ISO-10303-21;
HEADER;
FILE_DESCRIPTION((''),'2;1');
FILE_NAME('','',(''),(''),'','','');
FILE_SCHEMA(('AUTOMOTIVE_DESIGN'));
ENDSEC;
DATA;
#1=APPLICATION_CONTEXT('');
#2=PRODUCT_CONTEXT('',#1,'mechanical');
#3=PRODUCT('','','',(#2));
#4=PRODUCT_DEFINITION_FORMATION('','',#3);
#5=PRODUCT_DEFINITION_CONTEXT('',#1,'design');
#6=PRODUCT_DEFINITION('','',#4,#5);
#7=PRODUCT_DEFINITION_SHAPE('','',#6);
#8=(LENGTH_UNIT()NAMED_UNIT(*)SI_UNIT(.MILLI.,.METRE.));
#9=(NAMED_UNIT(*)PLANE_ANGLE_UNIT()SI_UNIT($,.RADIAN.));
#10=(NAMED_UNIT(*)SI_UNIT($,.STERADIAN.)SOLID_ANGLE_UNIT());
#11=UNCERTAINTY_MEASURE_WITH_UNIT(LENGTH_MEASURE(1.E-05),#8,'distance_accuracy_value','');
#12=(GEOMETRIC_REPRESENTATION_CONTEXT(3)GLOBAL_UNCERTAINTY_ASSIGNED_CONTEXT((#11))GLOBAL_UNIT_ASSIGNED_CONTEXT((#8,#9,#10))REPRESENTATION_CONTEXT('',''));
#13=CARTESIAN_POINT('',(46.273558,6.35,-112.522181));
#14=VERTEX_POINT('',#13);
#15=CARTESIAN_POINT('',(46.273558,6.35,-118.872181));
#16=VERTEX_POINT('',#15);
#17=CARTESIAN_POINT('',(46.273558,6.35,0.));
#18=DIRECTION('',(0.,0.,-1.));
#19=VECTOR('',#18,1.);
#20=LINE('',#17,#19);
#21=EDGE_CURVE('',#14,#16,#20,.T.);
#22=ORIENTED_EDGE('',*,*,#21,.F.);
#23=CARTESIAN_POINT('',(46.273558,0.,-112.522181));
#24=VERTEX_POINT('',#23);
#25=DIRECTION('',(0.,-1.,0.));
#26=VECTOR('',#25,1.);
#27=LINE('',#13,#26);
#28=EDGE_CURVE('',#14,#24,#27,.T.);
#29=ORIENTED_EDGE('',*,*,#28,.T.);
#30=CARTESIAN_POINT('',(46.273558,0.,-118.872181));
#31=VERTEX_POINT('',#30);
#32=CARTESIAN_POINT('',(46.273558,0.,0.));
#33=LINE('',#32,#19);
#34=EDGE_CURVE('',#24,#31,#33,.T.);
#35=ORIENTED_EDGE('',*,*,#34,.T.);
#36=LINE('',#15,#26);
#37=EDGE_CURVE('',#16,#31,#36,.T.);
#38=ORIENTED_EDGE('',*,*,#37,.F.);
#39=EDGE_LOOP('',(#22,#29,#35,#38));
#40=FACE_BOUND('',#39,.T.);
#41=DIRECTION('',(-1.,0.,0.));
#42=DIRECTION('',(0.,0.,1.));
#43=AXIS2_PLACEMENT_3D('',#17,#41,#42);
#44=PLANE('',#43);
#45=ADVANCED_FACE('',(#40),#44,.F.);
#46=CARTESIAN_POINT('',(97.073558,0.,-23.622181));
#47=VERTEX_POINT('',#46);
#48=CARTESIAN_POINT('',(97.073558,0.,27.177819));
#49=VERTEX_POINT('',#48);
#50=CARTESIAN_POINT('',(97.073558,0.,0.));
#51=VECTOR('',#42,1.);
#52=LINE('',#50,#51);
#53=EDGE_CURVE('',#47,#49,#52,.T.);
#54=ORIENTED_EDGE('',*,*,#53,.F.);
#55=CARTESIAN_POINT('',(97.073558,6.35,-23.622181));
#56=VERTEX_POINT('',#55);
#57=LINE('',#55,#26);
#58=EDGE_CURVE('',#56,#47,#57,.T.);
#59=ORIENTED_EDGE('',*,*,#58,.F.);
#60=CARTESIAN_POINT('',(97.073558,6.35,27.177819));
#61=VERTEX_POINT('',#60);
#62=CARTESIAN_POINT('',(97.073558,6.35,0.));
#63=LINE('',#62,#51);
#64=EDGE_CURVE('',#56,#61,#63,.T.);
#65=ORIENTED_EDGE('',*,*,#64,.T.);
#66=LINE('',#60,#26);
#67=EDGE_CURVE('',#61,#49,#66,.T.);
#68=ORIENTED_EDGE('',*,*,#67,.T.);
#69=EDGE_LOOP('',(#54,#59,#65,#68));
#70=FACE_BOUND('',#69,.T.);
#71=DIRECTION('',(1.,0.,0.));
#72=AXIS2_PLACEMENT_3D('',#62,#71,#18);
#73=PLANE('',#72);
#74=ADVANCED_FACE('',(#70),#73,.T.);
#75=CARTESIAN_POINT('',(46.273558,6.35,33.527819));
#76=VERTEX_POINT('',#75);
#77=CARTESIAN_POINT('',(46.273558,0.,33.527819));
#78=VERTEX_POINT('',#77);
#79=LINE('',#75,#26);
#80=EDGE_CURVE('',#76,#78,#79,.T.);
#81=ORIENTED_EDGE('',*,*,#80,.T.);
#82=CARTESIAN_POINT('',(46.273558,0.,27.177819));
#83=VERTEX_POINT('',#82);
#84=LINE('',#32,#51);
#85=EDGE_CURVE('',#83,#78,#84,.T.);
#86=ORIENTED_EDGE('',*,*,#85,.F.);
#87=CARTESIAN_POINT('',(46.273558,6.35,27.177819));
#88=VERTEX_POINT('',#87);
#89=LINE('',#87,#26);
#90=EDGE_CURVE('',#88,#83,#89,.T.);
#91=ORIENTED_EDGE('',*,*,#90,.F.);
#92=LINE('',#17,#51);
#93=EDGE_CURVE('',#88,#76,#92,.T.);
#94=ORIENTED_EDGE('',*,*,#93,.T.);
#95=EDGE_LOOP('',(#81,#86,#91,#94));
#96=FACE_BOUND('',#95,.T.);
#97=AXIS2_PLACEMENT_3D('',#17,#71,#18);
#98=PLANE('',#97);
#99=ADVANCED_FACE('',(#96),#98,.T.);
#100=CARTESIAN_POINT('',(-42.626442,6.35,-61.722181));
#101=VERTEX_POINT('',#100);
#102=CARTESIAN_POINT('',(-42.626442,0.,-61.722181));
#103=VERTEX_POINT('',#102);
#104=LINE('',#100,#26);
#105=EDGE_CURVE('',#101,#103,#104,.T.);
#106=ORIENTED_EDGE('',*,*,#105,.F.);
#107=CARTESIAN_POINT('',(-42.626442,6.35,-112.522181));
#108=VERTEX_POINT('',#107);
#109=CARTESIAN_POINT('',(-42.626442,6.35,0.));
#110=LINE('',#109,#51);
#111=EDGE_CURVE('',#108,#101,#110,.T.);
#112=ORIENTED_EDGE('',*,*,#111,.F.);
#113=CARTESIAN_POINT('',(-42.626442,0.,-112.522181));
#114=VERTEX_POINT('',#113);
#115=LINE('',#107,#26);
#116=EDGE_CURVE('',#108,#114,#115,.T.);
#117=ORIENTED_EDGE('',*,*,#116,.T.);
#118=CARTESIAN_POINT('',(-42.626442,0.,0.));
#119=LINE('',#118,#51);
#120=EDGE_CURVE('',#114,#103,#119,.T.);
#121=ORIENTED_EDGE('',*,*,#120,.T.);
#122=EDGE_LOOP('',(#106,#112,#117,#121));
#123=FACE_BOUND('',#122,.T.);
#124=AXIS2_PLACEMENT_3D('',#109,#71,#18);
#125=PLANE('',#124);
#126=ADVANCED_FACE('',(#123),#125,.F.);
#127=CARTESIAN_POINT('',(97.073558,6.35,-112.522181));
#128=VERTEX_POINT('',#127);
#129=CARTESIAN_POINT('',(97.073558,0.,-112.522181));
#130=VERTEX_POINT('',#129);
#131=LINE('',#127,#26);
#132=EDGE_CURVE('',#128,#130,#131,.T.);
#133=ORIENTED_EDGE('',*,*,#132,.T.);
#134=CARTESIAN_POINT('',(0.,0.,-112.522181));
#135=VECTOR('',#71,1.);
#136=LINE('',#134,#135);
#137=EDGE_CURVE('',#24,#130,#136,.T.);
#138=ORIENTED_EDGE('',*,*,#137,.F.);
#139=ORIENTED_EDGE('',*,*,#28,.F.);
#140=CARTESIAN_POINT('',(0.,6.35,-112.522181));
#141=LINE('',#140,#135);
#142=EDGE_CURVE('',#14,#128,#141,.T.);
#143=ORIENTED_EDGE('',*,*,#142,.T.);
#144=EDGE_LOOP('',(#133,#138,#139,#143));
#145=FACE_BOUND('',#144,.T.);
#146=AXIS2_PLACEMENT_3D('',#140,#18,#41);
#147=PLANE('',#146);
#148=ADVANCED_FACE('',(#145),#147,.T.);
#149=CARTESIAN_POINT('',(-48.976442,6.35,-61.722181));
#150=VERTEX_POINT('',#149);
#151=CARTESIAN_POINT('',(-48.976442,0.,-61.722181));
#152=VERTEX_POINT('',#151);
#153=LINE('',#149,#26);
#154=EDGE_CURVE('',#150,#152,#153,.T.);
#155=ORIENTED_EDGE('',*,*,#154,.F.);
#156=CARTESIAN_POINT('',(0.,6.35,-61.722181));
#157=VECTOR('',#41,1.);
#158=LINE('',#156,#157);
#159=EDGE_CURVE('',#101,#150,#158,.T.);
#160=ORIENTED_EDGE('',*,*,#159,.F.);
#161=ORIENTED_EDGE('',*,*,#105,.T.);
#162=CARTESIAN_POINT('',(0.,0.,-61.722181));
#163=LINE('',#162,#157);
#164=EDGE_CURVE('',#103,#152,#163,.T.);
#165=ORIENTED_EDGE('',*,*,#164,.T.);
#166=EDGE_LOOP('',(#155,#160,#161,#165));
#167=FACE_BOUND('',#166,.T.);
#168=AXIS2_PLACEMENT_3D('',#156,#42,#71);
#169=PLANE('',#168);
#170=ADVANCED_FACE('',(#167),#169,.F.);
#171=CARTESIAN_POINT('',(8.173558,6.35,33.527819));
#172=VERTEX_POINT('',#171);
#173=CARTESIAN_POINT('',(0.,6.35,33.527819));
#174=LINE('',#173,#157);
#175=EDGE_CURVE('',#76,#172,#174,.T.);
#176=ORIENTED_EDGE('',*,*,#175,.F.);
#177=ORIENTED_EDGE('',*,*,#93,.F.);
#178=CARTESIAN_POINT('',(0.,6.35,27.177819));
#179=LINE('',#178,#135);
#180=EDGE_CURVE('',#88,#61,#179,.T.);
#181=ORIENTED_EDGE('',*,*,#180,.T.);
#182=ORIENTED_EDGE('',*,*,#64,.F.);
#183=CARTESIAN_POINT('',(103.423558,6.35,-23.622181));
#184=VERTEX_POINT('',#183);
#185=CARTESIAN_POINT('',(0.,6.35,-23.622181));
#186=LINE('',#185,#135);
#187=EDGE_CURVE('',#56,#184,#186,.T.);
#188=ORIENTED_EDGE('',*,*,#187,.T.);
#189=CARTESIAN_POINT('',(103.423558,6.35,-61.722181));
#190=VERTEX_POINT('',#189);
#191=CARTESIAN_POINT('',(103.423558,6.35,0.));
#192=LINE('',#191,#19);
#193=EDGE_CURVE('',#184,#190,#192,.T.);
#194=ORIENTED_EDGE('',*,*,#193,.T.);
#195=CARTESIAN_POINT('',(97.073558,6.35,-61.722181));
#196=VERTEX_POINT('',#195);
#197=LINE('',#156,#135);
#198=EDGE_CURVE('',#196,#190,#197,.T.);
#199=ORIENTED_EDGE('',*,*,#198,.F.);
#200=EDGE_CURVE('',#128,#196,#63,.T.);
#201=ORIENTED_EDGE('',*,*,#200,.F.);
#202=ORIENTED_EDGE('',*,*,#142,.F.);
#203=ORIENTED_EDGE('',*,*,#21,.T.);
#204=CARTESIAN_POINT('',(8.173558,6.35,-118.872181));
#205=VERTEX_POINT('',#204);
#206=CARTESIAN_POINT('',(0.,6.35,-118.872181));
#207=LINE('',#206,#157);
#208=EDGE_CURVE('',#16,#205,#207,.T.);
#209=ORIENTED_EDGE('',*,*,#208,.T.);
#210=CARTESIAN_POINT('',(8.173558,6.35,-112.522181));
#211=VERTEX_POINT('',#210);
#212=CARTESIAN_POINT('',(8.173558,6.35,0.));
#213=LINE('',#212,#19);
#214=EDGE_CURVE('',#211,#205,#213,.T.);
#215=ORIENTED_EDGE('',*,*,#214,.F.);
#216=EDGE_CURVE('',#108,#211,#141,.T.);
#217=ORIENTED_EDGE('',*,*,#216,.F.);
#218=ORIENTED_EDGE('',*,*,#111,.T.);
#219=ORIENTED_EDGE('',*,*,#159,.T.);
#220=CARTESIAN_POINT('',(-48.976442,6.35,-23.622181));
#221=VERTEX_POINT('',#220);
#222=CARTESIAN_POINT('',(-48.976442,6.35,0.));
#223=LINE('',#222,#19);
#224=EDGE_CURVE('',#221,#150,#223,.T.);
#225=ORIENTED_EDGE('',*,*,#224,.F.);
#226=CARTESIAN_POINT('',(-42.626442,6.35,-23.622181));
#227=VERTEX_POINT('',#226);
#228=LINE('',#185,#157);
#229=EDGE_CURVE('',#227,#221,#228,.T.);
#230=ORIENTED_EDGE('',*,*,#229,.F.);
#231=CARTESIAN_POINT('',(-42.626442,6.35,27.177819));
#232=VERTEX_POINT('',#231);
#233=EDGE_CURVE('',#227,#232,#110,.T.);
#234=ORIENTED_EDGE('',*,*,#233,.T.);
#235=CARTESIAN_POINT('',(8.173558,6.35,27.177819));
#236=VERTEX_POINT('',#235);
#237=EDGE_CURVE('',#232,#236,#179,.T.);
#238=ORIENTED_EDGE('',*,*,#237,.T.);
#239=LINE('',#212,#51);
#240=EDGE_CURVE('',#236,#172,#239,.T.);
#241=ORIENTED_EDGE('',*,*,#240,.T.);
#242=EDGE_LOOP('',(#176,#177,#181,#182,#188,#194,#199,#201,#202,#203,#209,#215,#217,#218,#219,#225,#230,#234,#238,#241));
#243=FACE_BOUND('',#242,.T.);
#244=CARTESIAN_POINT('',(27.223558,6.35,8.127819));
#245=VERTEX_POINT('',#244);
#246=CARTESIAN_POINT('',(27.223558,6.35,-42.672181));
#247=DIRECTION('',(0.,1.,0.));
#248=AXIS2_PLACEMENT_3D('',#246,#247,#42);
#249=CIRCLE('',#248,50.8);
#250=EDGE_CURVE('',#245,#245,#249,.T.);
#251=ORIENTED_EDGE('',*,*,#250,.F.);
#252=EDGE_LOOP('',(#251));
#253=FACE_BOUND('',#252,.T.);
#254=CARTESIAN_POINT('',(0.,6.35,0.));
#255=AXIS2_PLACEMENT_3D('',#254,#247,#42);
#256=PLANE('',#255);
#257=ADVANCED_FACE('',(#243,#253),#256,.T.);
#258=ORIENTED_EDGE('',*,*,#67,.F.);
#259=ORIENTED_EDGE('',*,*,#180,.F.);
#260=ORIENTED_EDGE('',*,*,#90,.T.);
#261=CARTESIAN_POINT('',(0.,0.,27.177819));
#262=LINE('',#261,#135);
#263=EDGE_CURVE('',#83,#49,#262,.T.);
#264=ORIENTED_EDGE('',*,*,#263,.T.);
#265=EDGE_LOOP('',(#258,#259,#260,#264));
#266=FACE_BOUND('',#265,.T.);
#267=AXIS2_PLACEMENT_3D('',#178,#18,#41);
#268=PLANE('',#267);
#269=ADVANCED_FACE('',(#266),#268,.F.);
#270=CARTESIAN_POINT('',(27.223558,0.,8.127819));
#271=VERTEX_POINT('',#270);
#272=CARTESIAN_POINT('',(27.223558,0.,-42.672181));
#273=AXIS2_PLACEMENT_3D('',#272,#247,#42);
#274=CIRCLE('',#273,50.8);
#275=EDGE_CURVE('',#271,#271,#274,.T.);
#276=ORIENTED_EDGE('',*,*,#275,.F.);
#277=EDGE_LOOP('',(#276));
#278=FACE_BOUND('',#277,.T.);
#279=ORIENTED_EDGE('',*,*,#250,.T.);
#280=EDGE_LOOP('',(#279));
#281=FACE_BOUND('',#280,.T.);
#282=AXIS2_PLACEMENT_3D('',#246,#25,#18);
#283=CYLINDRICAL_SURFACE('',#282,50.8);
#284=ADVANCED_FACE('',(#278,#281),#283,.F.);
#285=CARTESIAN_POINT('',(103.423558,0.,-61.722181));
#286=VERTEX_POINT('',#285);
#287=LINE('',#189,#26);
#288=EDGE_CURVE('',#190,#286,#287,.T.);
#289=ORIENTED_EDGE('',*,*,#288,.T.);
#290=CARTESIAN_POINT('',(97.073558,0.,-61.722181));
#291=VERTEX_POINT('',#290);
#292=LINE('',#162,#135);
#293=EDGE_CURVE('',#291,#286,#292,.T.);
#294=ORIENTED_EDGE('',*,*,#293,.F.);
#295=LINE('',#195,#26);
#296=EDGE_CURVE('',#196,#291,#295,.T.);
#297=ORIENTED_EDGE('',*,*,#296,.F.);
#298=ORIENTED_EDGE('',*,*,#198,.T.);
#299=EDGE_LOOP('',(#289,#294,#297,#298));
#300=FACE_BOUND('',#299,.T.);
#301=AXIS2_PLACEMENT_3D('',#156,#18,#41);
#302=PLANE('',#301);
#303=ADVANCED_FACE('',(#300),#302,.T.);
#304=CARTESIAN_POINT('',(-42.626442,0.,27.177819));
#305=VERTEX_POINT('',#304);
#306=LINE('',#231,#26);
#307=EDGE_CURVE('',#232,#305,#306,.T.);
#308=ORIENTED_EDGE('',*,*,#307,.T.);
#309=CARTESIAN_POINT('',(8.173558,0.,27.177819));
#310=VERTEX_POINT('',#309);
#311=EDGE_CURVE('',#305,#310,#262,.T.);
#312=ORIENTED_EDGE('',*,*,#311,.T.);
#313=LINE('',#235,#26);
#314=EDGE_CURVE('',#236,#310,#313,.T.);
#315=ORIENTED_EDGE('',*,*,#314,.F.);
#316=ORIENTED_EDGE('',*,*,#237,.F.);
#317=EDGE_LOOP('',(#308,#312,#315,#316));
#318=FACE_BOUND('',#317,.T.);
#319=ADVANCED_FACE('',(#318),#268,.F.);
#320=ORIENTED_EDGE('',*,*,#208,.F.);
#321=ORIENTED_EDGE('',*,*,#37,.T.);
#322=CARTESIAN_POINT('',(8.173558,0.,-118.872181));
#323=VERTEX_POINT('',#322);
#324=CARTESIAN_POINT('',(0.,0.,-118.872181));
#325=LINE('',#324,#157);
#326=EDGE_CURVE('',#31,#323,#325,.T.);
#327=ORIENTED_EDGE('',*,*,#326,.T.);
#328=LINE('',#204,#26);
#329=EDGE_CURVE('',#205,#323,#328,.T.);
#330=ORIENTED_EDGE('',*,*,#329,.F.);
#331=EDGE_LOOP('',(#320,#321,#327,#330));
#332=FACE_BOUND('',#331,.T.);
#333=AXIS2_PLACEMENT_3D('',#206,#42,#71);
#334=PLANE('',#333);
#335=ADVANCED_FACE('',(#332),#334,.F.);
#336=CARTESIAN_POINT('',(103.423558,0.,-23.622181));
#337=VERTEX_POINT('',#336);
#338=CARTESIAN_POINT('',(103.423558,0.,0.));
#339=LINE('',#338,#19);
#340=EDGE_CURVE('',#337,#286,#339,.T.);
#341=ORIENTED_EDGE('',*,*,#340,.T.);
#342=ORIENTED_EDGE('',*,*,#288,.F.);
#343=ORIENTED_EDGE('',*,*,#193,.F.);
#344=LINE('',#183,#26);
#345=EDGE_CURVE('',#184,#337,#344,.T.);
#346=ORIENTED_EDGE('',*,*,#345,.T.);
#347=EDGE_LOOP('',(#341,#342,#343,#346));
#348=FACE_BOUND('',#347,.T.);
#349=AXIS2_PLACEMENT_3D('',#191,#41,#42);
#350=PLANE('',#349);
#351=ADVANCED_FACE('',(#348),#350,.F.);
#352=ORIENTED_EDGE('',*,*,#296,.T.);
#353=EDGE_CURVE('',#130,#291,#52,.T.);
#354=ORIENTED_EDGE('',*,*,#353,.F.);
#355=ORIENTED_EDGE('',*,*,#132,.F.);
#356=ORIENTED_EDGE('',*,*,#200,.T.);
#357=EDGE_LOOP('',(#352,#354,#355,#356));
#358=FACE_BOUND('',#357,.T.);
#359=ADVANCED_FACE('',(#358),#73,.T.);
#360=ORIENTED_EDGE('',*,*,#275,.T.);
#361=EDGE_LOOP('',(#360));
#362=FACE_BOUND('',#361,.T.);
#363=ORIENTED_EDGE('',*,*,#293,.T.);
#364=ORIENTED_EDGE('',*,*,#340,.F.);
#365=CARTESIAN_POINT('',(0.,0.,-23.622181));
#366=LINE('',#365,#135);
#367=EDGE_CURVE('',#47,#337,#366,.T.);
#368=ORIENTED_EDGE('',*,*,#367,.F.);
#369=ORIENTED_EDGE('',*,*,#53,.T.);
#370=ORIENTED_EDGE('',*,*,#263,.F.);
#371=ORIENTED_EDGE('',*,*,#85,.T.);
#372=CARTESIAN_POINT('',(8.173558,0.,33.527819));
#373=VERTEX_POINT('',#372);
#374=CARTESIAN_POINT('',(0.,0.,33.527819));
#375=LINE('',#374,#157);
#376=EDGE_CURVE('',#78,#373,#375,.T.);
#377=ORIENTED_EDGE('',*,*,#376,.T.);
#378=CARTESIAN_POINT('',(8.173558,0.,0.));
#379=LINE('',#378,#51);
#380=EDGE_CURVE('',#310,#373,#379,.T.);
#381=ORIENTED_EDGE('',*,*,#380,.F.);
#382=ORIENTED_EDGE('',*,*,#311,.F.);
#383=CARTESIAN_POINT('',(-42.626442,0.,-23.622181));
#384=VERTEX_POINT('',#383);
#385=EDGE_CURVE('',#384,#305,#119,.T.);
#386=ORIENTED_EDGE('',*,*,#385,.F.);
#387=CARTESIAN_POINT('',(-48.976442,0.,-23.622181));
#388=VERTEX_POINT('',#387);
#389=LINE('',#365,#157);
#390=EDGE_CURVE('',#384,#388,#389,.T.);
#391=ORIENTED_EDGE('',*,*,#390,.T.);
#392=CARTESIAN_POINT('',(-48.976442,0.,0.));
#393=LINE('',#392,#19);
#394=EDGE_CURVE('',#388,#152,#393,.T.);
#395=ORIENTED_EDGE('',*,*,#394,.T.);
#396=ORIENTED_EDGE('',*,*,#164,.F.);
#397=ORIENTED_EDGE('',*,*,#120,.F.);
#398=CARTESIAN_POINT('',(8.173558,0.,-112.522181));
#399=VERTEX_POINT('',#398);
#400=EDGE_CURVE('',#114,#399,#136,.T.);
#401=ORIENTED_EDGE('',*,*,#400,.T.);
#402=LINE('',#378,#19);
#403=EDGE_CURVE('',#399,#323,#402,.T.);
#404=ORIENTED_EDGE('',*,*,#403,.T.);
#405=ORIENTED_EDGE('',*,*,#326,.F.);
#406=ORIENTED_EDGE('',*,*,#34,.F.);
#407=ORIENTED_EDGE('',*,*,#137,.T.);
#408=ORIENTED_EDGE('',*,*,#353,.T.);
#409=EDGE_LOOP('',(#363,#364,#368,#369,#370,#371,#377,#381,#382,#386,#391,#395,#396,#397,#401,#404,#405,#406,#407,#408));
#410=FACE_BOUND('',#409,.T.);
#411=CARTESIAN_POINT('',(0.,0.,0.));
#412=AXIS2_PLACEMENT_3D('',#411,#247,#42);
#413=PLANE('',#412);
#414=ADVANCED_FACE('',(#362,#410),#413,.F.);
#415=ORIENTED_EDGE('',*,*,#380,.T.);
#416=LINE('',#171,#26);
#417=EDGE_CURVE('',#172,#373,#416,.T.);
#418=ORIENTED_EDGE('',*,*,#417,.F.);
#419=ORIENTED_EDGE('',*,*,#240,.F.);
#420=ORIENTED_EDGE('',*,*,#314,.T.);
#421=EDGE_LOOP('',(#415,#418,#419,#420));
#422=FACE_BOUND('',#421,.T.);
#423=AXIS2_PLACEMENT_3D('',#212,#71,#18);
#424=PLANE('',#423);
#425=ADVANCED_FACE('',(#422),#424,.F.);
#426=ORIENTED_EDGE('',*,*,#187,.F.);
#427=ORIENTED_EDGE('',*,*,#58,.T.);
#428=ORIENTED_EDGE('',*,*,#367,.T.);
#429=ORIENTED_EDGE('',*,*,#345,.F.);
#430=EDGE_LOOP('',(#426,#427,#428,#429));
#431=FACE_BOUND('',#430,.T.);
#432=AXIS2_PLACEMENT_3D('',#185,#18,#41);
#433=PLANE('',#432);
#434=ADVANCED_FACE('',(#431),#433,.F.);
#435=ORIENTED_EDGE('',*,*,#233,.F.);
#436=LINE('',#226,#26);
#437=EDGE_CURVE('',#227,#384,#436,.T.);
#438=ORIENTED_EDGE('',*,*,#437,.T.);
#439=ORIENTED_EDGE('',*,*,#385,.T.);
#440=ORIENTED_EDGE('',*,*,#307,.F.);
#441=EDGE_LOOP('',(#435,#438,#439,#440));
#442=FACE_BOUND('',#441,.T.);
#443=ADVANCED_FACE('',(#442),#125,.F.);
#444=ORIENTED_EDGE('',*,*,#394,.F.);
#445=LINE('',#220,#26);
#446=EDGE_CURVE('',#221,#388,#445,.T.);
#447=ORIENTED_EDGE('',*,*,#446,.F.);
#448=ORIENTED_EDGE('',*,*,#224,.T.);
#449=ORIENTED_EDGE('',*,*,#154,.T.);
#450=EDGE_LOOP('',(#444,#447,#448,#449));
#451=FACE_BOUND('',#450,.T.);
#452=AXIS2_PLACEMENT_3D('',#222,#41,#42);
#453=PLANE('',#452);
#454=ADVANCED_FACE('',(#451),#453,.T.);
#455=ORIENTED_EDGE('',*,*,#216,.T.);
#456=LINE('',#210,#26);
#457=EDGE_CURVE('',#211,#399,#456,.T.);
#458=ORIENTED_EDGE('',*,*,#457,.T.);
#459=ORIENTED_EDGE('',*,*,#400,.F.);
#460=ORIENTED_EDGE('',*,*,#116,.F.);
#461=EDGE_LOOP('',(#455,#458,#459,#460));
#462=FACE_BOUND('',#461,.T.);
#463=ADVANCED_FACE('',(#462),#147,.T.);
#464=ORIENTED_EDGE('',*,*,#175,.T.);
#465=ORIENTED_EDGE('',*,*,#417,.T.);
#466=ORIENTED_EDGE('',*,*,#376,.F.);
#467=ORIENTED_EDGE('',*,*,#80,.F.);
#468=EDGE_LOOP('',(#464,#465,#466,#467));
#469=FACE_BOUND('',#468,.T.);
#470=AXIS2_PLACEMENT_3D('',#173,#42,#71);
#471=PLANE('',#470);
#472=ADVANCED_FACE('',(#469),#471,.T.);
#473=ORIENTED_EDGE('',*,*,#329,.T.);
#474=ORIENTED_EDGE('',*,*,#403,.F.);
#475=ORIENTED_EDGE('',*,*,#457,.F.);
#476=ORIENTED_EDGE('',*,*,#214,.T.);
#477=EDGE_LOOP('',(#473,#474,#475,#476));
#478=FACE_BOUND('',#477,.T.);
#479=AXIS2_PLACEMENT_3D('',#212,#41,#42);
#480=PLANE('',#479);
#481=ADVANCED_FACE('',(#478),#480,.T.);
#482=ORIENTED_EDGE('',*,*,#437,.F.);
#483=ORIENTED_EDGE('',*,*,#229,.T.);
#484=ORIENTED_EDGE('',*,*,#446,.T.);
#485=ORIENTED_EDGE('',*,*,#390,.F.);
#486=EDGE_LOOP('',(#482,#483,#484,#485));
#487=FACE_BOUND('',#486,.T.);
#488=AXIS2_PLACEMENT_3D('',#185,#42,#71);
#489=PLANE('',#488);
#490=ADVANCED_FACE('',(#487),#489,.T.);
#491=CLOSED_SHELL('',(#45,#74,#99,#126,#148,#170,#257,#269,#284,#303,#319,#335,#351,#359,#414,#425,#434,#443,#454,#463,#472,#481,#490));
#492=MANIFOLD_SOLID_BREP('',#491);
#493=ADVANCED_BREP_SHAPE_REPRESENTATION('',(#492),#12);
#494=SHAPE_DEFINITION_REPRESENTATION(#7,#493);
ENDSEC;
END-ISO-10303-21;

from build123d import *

# Parameters (mm, degrees)
SKETCH1_R           = 50.8
BOSS_EXTRUDE1_DEPTH = 6.35


with BuildPart() as part:
    # Sketch1 → Boss-Extrude1 (new body)
    with BuildSketch(Plane(origin=(0, 0, 0), x_dir=(1, 0, 0), z_dir=(0, 1, 0))):
        Polygon((46.273558235, -27.177818941), (97.073558235, -27.177818941), (97.073558235, 23.622181059), (103.423558235, 23.622181059), (103.423558235, 61.722181059), (97.073558235, 61.722181059), (97.073558235, 112.522181059), (46.273558235, 112.522181059), (46.273558235, 118.872181059), (8.173558235, 118.872181059), (8.173558235, 112.522181059), (-42.626441765, 112.522181059), (-42.626441765, 61.722181059), (-48.976441765, 61.722181059), (-48.976441765, 23.622181059), (-42.626441765, 23.622181059), (-42.626441765, -27.177818941), (8.173558235, -27.177818941), (8.173558235, -33.527818941), (46.273558235, -33.527818941), align=None)
        with Locations((27.223558235, 42.672181059)):
            Circle(SKETCH1_R, mode=Mode.SUBTRACT)
    extrude(amount=BOSS_EXTRUDE1_DEPTH)


solid = part.part
